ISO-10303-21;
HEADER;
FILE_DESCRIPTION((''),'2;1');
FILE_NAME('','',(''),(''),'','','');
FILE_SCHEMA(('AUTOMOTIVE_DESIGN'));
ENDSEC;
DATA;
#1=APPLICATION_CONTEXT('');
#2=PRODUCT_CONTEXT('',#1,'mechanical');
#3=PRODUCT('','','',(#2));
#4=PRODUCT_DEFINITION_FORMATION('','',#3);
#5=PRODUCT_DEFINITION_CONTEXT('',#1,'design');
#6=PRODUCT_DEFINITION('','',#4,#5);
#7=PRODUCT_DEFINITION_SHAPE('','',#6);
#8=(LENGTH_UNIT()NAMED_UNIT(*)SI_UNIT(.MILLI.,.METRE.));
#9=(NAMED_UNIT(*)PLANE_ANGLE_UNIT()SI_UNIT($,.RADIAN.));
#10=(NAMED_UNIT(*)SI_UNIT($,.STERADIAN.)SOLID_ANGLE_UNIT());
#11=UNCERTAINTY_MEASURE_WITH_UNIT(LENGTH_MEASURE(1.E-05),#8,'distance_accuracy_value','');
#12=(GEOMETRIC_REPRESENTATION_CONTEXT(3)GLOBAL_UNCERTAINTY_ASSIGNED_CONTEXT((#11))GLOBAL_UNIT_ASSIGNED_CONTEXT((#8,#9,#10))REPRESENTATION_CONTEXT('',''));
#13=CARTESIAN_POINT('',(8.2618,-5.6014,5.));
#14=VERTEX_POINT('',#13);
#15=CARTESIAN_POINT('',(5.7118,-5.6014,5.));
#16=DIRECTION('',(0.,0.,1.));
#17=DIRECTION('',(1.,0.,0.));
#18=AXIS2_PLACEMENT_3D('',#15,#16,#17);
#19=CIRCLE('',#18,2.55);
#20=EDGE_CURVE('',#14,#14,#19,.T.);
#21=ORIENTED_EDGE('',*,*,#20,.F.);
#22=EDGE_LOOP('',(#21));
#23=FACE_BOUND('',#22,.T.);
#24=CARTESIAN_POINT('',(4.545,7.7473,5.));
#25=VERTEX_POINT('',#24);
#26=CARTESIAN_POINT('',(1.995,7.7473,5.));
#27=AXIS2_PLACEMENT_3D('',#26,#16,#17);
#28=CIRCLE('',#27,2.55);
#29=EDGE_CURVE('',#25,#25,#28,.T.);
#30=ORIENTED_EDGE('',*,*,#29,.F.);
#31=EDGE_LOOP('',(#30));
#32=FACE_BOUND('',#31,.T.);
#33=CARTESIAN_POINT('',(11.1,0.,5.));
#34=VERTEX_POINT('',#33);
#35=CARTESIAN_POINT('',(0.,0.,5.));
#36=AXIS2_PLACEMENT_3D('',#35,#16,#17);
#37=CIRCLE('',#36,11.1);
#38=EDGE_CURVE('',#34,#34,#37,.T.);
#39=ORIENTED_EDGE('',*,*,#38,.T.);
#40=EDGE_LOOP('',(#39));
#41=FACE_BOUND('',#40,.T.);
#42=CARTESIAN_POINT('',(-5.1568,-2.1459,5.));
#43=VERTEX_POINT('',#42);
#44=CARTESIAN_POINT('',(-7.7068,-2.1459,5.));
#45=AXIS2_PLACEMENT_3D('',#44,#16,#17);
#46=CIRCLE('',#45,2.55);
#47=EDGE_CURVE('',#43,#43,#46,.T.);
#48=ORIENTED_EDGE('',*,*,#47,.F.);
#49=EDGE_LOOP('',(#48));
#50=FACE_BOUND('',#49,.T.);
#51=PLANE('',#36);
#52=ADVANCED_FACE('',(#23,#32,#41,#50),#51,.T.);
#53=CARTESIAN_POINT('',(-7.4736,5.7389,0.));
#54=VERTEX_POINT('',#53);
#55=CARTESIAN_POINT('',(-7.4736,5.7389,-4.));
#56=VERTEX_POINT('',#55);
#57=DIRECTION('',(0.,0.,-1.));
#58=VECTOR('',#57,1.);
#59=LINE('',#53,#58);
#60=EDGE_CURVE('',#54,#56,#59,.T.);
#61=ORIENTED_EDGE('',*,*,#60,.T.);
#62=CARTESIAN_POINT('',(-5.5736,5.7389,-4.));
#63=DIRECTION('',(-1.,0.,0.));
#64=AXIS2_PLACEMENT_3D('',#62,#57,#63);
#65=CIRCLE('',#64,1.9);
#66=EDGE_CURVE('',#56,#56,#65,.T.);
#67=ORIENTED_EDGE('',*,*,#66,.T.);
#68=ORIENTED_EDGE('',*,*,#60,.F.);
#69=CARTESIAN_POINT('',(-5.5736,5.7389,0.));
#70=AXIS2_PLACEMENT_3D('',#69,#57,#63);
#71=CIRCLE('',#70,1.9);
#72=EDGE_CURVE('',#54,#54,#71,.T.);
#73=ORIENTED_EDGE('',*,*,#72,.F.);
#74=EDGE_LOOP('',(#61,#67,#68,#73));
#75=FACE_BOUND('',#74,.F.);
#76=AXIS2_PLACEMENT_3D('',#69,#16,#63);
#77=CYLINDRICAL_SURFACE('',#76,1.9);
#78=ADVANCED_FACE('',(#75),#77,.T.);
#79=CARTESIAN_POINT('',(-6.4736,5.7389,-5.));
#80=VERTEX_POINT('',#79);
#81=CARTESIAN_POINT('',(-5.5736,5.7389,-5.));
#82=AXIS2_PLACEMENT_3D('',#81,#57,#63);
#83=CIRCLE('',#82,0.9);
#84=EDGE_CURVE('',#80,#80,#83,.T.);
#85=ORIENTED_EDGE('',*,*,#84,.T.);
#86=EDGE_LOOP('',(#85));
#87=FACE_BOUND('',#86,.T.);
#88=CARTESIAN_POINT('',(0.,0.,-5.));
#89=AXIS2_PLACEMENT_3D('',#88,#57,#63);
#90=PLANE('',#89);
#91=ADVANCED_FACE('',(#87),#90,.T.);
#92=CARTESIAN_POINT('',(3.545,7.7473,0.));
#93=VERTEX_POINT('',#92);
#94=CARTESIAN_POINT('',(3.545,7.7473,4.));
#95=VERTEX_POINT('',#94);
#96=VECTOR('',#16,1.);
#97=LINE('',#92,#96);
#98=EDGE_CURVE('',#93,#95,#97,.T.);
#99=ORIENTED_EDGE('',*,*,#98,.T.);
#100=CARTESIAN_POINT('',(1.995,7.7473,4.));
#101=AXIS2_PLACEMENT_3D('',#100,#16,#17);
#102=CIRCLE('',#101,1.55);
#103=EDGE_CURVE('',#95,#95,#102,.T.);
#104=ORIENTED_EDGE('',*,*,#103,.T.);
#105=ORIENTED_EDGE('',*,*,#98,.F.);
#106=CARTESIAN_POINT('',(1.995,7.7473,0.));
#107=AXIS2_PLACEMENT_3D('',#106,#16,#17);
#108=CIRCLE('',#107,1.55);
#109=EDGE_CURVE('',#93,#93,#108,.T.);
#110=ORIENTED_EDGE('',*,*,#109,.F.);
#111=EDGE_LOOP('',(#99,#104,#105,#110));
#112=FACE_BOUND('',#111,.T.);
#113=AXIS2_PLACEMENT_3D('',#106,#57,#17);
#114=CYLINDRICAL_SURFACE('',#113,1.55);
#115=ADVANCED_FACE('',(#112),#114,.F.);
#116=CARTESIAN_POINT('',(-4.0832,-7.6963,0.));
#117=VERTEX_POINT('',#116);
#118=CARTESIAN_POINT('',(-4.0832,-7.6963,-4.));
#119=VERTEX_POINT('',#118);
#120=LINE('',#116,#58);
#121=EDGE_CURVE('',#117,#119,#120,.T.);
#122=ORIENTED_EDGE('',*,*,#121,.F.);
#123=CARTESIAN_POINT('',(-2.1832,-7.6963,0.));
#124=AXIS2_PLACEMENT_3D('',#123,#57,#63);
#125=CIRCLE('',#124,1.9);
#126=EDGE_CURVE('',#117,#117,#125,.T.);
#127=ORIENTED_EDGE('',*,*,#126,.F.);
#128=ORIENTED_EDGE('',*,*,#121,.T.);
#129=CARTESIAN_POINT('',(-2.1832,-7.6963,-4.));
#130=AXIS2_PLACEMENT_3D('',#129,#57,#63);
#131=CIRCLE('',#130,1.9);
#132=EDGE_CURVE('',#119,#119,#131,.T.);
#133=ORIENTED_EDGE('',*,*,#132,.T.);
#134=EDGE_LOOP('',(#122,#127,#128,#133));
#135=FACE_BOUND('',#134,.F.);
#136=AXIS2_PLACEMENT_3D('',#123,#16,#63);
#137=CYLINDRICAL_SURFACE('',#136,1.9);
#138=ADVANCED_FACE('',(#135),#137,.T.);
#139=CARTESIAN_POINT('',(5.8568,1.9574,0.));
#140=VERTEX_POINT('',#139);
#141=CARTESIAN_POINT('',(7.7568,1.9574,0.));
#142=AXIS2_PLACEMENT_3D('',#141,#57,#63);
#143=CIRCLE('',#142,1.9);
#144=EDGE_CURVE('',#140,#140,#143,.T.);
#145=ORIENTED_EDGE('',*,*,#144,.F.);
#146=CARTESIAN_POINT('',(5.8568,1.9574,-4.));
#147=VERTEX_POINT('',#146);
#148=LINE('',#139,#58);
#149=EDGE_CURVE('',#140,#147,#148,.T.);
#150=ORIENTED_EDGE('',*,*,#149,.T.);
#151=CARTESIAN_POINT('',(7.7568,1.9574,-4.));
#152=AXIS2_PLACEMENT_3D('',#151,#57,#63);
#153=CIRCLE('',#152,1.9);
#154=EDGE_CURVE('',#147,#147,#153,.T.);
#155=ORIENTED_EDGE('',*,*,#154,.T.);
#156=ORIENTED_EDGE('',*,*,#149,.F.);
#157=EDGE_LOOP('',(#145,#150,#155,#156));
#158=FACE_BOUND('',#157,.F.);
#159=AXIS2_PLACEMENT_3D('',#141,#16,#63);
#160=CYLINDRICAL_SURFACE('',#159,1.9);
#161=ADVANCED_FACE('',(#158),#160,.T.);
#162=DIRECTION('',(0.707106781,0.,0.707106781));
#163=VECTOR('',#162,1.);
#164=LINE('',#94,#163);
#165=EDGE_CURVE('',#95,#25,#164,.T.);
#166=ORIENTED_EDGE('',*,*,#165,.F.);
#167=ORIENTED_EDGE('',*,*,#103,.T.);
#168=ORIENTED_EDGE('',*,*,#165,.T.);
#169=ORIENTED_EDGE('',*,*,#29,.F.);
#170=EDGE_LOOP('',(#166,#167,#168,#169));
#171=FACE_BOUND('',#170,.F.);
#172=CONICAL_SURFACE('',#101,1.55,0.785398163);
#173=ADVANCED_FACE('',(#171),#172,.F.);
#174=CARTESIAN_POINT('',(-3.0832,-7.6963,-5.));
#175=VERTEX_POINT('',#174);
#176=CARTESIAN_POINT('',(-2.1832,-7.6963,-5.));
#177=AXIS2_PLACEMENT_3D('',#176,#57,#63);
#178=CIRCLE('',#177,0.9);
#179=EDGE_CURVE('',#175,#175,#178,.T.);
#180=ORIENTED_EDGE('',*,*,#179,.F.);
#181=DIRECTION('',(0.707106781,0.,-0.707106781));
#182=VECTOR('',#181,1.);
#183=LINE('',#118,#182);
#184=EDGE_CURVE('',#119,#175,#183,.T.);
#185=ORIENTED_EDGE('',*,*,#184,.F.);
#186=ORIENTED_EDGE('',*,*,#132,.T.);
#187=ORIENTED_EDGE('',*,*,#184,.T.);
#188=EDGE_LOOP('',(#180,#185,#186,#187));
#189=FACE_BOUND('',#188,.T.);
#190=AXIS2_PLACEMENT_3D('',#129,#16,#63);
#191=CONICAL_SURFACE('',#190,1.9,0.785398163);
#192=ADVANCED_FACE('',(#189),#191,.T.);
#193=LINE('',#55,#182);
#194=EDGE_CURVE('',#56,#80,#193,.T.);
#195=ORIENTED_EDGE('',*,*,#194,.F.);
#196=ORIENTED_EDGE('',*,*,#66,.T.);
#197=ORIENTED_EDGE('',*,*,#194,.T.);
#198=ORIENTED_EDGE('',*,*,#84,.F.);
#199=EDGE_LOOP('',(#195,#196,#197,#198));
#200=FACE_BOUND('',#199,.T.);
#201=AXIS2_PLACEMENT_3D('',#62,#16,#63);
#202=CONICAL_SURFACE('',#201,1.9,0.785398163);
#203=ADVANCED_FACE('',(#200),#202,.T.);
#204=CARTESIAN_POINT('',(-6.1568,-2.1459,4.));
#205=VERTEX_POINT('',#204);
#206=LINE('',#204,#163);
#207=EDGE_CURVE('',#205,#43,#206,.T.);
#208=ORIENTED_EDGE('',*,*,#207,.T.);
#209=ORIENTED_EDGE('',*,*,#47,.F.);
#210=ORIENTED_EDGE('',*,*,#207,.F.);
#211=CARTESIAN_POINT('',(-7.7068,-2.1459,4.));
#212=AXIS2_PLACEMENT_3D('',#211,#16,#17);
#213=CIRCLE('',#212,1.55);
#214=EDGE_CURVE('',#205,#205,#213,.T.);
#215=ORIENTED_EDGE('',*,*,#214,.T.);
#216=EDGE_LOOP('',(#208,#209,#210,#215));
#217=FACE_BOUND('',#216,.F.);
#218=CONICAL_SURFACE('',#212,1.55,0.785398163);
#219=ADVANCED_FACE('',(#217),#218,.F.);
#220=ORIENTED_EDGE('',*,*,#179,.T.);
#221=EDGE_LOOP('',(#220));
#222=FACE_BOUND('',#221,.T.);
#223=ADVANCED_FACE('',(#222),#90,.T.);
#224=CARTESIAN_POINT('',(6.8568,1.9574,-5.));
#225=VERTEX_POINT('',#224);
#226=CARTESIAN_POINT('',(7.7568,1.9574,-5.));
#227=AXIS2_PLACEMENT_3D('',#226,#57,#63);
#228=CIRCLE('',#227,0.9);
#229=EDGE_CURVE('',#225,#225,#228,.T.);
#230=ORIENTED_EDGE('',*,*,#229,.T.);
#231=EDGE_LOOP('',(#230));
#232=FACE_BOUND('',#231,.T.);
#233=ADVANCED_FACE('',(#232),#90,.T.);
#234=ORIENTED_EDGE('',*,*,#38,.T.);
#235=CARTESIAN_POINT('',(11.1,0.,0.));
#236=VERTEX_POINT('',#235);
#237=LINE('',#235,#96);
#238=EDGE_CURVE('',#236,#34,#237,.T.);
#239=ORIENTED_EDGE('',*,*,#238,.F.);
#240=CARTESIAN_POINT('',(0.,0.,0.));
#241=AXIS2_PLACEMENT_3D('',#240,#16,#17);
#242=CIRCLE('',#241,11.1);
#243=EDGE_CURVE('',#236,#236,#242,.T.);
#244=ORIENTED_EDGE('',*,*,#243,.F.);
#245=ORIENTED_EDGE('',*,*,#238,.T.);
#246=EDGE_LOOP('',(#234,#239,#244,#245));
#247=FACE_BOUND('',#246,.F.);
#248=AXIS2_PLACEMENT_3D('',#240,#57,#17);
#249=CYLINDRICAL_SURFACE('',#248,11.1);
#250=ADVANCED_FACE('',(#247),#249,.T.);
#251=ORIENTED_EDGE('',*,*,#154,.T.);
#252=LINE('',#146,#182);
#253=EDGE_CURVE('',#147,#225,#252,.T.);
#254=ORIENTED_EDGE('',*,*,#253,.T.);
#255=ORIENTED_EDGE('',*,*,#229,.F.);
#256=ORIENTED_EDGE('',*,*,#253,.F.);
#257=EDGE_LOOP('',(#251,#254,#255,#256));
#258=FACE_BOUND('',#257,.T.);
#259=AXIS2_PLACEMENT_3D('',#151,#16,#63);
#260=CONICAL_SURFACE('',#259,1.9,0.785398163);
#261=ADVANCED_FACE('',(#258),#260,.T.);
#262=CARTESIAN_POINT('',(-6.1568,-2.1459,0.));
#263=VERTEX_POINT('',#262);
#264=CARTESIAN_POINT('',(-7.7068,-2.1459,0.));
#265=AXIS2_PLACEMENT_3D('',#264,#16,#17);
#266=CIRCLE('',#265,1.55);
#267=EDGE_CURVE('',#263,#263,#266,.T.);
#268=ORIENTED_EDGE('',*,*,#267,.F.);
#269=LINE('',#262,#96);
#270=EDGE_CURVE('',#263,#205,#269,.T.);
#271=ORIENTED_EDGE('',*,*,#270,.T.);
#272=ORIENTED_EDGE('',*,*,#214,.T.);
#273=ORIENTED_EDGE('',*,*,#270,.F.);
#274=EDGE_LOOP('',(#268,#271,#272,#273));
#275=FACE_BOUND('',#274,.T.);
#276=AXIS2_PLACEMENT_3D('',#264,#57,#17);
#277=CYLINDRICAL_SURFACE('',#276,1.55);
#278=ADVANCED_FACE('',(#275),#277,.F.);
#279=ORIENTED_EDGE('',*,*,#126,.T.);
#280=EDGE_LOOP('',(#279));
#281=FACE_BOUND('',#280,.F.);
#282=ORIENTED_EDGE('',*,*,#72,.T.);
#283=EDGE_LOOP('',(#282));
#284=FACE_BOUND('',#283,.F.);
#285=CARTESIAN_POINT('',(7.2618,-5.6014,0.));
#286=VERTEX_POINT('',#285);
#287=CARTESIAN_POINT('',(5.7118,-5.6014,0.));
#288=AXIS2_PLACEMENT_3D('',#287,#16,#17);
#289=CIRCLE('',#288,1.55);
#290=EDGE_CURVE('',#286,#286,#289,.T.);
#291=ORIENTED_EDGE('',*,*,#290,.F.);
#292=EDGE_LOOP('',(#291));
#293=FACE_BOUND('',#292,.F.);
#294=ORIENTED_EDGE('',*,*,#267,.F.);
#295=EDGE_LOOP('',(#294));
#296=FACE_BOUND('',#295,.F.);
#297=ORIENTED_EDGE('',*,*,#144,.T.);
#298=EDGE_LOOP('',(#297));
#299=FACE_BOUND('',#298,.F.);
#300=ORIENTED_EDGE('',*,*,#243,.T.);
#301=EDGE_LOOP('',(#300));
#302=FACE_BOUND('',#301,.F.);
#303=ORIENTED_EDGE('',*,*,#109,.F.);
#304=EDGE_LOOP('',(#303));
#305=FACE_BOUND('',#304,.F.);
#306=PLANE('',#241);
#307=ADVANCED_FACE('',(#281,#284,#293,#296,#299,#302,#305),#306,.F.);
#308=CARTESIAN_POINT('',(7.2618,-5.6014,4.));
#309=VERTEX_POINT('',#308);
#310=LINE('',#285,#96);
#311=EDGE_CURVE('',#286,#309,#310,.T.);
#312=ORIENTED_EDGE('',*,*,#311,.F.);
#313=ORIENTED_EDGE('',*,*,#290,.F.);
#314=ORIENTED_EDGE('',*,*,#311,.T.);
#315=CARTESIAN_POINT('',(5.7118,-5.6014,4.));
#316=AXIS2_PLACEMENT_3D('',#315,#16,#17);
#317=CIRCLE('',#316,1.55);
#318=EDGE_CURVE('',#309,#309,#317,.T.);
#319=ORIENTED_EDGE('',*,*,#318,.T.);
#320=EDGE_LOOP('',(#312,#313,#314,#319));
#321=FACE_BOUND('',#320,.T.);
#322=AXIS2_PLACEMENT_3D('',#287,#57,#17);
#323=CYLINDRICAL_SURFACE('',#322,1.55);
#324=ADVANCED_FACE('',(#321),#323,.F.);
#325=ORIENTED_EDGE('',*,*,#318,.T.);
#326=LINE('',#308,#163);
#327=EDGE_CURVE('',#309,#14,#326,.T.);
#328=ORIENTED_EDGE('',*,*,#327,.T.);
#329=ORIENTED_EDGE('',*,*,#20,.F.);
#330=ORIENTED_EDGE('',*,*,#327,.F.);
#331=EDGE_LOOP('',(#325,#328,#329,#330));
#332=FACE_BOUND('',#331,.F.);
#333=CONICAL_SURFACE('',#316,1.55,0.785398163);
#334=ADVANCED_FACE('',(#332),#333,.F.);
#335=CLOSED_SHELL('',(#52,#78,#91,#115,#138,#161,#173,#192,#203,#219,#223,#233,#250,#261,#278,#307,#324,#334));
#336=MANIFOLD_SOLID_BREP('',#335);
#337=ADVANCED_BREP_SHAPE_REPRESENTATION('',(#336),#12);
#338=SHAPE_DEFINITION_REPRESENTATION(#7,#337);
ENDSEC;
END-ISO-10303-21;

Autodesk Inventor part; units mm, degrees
ref_plane "YZ Plane" through (0, 0, 0) normal (1, 0, 0) x (0, 1, 0)
ref_plane "XZ Plane" through (0, 0, 0) normal (0, 1, 0) x (-1, 0, 0)
ref_plane "XY Plane" through (0, 0, 0) normal (0, 0, 1) x (1, 0, 0)
sketch "Эскиз1" plane through (0, 0, 0) normal (0, 0, 1) x (1, 0, 0)
  circle A0 centre (0, 0) radius 11.3
  circle A1 centre (-7.7068, -2.1459) radius 1.55
  circle A2 centre (1.995, 7.7473) radius 1.55
  circle A3 centre (-7.7068, -2.1459) radius 1.55
  circle A4 centre (1.995, 7.7473) radius 1.55
  circle A5 centre (5.7118, -5.6014) radius 1.55
  circle A6 centre (0, 0) radius 11.3
  circle A7 centre (7.7568, 1.9574) radius 2
  circle A8 centre (-2.1832, -7.6963) radius 2
  circle A9 centre (-5.5736, 5.7389) radius 2
  circle A10 centre (0, 0) radius 11.1
  point P0 (0, 0)
extrude "Выдавливание1" add sketch "Эскиз1" along normal blind 5 contours A7 | A8 | A9 | A10
sketch "Эскиз2" plane through (0, 0, 0) normal (0, 0, -1) x (-1, 0, 0)
  circle A0 centre (5.5736, 5.7389) radius 2 projected
  circle A1 centre (2.1832, -7.6963) radius 2 projected
  circle A2 centre (-7.7568, 1.9574) radius 2 projected
  circle A3 centre (5.5736, 5.7389) radius 1.9
  circle A4 centre (2.1832, -7.6963) radius 1.9
  circle A5 centre (-7.7568, 1.9574) radius 1.9
  point P0 (0, 0)
  dimension "d3" = 0.1
  dimension "d4" = 0.1
  dimension "d5" = 0.1
extrude "Выдавливание2" add sketch "Эскиз2" along normal blind 5 contours A3 | A4 | A5
chamfer "Фаска1" distance 1 angle 45 6 edges at (9.6568, 1.9574, -5) (-3.6736, 5.7389, -5) (-0.2832, -7.6963, -5) (4.1618, -5.6014, 5) (0.445, 7.7473, 5) (-9.2568, -2.1459, 5)
properties part number "ВедущееКолесоВнутр"
